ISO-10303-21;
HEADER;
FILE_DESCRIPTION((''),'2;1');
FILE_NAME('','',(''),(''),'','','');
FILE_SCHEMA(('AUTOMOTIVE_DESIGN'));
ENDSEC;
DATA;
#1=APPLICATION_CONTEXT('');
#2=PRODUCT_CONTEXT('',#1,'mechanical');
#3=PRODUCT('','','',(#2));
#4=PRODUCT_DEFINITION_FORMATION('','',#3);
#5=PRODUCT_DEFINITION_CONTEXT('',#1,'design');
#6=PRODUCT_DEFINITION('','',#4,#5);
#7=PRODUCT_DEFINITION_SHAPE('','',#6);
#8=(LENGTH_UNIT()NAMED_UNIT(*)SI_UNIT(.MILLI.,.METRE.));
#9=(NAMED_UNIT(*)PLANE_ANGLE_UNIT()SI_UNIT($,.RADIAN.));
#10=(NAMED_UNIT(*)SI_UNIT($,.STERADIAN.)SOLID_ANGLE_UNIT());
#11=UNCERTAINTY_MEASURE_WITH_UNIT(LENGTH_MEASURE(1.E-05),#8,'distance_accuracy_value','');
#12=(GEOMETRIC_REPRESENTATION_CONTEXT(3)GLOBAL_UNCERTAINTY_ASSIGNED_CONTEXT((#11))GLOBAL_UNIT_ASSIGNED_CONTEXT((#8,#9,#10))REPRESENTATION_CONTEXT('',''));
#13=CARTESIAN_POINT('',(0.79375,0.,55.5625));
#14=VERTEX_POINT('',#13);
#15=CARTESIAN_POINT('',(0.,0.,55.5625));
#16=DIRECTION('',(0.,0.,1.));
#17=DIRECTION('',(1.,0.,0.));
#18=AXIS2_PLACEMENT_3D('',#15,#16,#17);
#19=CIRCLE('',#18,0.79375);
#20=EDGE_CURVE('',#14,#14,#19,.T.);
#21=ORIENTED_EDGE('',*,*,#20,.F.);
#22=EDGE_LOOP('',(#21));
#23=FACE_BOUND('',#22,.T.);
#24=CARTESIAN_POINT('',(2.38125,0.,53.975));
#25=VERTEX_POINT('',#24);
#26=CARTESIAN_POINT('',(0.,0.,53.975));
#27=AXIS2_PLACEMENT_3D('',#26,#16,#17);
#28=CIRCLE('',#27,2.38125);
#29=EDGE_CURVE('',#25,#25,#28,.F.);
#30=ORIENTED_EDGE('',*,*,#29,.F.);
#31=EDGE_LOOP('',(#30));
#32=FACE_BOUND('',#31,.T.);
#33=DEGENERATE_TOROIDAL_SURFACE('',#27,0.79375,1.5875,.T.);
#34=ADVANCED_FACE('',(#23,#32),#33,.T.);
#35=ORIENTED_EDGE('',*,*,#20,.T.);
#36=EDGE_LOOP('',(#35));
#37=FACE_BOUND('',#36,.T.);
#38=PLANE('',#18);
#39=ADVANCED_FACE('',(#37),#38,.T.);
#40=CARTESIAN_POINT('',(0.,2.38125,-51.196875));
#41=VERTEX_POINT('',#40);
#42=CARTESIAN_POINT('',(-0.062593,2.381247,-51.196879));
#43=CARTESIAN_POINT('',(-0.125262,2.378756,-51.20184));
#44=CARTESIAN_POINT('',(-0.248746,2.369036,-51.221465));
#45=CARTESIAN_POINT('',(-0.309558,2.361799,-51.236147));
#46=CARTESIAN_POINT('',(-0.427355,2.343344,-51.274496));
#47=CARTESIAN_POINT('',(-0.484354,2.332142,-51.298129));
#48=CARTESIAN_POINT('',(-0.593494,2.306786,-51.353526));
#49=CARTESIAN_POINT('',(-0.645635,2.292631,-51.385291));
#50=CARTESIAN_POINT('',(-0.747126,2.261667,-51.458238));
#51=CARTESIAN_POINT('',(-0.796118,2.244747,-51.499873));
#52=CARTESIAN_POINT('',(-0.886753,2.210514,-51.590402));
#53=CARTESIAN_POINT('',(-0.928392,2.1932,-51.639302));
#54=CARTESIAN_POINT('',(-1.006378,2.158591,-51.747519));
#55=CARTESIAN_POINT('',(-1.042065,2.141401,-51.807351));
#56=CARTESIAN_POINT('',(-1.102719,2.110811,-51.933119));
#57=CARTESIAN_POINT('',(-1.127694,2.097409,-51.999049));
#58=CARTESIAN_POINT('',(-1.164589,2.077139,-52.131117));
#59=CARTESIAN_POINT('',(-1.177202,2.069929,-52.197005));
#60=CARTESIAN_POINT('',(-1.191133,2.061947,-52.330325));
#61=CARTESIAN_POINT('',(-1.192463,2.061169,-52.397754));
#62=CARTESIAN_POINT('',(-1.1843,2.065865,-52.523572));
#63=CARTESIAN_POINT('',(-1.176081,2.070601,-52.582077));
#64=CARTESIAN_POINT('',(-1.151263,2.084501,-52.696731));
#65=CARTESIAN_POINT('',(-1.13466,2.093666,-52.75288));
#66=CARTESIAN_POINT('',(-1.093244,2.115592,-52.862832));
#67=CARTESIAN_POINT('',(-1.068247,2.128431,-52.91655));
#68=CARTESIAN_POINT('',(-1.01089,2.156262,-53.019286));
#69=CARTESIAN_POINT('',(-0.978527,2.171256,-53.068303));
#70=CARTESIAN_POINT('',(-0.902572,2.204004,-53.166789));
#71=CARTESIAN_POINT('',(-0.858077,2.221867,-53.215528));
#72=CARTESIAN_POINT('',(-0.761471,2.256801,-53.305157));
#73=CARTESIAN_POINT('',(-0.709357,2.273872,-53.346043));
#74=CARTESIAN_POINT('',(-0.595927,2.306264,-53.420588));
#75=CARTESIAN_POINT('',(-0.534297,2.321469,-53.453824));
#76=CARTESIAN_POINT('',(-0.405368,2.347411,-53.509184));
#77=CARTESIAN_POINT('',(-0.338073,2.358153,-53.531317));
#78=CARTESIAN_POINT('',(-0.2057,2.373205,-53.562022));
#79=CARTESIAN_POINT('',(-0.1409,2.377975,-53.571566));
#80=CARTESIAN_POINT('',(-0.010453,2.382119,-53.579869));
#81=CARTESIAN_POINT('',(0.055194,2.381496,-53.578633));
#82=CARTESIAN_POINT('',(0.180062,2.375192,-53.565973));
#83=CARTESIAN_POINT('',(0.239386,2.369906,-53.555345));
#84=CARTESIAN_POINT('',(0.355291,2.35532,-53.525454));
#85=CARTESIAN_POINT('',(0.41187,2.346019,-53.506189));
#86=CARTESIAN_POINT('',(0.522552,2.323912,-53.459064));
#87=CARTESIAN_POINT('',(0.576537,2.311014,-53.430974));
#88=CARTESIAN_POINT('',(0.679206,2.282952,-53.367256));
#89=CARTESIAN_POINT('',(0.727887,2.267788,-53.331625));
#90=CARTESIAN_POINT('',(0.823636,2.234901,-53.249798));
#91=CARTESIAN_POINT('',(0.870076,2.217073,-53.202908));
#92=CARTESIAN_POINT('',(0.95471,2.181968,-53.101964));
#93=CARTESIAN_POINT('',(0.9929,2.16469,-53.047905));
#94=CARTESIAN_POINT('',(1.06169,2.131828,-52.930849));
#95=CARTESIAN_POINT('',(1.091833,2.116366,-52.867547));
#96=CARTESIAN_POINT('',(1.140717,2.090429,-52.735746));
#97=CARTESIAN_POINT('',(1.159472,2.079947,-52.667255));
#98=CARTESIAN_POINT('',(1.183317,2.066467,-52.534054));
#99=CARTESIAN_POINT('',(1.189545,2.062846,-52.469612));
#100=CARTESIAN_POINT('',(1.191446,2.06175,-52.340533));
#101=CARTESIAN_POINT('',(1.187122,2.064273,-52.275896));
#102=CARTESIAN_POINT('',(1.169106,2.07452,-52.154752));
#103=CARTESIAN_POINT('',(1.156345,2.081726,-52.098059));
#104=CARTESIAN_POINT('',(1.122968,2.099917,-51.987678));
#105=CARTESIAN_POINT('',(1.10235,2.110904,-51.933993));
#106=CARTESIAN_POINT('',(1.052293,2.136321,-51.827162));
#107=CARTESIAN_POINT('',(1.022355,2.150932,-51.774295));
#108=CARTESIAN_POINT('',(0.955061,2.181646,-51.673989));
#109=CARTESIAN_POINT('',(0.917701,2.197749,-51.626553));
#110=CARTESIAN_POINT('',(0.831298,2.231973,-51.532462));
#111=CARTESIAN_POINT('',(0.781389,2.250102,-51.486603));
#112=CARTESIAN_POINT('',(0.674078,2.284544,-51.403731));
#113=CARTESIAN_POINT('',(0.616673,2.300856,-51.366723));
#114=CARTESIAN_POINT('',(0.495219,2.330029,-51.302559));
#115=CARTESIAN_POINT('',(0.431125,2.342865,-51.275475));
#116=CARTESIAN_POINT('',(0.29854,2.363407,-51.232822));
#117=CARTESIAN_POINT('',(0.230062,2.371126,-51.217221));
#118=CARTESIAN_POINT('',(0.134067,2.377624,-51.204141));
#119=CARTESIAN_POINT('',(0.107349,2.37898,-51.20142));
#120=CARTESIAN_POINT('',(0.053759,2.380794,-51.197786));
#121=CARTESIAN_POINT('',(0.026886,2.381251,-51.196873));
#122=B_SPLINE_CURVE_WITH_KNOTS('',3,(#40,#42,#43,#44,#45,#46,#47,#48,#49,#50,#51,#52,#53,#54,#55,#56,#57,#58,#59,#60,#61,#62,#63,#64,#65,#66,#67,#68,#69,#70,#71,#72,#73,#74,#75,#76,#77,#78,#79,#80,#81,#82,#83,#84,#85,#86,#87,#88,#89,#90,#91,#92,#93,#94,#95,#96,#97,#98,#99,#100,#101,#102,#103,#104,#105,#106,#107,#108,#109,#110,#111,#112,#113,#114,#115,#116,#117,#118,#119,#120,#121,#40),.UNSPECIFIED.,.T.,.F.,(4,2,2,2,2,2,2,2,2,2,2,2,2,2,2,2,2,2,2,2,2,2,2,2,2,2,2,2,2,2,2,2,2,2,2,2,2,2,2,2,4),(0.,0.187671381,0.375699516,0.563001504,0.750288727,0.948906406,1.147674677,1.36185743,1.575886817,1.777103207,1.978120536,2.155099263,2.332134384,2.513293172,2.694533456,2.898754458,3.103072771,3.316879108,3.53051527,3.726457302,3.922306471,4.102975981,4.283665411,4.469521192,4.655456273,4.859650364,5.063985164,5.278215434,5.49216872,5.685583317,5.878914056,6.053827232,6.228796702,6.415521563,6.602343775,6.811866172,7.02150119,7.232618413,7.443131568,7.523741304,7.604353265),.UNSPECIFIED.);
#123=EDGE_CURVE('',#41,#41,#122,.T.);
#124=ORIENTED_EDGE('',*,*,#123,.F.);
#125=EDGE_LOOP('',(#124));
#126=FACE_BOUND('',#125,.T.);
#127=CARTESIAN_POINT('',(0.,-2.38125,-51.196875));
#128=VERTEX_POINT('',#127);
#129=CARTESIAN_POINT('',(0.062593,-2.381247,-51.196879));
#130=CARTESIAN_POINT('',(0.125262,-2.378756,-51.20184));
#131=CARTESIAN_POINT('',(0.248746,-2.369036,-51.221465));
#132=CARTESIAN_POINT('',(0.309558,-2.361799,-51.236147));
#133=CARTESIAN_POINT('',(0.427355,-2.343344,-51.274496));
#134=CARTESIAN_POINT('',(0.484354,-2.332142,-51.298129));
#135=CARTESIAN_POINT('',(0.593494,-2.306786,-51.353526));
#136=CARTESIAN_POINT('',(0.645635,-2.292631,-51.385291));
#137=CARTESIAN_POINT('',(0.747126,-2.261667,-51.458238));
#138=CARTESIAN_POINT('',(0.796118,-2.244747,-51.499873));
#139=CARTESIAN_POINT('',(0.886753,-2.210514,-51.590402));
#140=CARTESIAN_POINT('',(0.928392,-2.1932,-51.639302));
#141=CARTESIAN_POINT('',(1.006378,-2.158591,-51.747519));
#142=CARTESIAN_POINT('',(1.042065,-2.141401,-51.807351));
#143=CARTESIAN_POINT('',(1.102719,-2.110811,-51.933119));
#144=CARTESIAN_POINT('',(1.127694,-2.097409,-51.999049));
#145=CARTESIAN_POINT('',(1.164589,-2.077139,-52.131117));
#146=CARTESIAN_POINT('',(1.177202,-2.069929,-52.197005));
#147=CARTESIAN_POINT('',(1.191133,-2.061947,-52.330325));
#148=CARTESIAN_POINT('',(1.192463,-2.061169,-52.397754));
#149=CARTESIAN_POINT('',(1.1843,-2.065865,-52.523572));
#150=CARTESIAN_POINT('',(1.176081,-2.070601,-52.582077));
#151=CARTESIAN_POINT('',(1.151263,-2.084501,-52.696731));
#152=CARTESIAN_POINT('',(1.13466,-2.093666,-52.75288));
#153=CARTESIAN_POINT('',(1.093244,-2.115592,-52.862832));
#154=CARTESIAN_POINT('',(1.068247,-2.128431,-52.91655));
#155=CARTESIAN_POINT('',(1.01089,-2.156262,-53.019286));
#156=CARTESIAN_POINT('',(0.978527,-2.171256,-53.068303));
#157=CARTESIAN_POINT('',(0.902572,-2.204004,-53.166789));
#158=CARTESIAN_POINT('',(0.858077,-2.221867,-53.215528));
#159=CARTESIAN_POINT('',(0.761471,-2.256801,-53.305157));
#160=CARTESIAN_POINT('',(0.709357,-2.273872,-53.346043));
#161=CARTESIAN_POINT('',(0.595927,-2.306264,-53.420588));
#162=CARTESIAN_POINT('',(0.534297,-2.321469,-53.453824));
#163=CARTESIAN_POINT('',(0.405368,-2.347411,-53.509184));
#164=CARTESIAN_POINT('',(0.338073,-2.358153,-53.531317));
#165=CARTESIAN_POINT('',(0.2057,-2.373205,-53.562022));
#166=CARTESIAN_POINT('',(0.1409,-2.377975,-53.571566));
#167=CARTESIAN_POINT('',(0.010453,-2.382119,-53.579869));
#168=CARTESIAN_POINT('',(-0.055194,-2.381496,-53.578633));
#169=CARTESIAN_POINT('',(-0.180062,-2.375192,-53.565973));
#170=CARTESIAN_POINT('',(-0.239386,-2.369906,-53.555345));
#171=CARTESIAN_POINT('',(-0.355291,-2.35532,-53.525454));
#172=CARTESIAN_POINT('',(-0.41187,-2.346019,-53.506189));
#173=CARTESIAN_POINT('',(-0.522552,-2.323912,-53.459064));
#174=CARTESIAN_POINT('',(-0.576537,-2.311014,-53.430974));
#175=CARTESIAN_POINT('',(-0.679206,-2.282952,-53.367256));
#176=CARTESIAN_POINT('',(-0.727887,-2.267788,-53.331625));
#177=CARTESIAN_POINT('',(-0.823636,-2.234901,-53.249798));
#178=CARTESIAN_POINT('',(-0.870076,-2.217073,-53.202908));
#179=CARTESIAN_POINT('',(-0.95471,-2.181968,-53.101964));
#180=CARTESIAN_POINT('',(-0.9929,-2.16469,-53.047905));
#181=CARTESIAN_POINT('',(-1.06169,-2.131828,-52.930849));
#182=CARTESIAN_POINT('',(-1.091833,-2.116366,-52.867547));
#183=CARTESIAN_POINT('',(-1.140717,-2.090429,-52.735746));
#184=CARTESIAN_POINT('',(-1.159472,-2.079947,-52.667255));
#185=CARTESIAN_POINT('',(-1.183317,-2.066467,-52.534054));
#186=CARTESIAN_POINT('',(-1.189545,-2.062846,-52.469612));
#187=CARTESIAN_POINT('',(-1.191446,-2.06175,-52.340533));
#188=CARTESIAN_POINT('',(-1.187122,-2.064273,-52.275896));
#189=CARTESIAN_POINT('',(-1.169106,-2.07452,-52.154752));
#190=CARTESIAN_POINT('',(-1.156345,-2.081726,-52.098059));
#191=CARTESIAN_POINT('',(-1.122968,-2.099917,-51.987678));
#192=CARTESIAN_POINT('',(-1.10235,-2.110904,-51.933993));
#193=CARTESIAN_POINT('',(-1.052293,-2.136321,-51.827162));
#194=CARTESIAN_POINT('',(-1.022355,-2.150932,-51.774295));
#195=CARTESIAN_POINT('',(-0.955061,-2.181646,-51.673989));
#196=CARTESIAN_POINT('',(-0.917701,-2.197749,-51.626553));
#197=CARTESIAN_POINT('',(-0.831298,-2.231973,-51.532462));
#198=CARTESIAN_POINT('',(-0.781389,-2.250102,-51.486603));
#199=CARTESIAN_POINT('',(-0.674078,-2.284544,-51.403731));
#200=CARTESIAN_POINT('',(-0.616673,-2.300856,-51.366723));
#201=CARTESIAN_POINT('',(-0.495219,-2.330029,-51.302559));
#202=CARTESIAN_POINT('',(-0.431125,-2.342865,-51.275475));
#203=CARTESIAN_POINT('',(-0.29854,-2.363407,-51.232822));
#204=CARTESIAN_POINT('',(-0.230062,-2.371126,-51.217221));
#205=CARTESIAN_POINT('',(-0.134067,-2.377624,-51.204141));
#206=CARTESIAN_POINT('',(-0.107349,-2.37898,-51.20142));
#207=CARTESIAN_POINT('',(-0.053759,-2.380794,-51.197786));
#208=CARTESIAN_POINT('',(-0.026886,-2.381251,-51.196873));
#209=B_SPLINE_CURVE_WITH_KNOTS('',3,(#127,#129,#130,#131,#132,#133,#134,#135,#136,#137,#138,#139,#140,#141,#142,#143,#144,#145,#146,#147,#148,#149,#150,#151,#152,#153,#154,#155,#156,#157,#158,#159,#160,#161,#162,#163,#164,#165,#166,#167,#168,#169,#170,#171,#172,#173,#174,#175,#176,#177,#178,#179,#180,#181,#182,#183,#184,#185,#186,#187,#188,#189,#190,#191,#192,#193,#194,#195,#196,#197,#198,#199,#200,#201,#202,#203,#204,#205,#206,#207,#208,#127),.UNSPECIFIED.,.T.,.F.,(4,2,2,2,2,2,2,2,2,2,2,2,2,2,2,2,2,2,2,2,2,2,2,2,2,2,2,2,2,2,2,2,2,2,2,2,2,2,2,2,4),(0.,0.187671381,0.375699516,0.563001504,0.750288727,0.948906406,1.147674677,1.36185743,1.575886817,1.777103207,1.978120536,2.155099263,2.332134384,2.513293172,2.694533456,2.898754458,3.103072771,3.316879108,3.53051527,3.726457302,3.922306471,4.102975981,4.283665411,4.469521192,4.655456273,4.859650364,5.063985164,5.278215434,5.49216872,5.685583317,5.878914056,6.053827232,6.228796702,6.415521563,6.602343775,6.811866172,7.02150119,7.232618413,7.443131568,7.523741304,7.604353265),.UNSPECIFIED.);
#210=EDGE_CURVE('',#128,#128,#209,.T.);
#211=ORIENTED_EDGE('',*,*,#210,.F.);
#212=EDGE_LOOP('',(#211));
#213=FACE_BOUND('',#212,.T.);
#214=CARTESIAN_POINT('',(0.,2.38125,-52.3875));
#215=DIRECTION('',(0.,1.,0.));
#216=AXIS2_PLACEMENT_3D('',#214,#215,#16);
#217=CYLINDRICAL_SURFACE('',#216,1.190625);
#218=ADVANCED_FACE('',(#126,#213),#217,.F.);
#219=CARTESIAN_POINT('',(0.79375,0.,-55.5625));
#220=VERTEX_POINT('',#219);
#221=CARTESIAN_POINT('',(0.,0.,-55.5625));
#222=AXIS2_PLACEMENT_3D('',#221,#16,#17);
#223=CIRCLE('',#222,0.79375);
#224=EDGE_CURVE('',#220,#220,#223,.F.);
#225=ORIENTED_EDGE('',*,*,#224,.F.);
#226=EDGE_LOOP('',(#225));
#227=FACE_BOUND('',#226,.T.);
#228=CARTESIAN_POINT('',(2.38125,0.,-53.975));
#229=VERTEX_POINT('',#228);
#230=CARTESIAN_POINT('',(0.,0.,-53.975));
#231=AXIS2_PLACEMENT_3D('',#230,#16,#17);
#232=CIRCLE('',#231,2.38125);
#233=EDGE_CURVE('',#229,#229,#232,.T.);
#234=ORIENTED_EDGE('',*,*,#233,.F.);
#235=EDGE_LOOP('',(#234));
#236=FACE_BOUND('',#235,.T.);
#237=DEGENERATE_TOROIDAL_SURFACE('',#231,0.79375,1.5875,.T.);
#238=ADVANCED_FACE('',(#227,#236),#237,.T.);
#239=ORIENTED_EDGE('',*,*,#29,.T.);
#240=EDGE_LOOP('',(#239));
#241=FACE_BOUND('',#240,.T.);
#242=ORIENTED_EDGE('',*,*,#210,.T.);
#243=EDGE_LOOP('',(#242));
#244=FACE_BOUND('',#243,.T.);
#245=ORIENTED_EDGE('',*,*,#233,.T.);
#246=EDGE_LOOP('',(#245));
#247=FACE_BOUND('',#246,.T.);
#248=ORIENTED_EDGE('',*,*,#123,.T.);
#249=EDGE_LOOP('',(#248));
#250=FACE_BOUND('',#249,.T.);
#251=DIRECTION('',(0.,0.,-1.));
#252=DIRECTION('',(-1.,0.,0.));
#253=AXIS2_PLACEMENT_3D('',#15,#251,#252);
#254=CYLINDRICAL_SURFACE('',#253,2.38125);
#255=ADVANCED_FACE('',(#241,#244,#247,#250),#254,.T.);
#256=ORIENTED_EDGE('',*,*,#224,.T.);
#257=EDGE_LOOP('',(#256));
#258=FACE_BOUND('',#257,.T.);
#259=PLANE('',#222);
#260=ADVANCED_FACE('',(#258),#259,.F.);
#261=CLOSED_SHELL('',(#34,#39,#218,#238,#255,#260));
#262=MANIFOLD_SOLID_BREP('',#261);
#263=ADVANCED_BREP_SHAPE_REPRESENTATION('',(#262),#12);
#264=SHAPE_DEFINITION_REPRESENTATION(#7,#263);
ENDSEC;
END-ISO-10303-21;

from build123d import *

# Parameters (mm, degrees)
SKETCH3_R                       = 2.38125
BOSS_EXTRUDE1_DEPTH             = 55.5625
FILLET2_R                       = 1.5875
F_3_32_0_09375_DIAMETER_HOLE3_D = 2.38125
FILLET3_R                       = 1.5875


with BuildPart() as part:
    # Sketch3 → Boss-Extrude1 (new, symmetric)
    with BuildSketch(Plane.XY):
        Circle(SKETCH3_R)
    extrude(amount=BOSS_EXTRUDE1_DEPTH, both=True)

    # Fillet2
    fillet2_edges = [part.edges().sort_by_distance(p)[0] for p in [
        (-2.38125, 0, 55.5625),
    ]]
    fillet(fillet2_edges, radius=FILLET2_R)

    # 3/32 (0.09375) Diameter Hole3 (through all)
    with Locations(Plane(origin=(0, 2.38125, 0), x_dir=(1, 0, 0), z_dir=(0, 1, 0))):
        with Locations((0, 52.3875)):
            Hole(F_3_32_0_09375_DIAMETER_HOLE3_D / 2)

    # Fillet3
    fillet3_edges = [part.edges().sort_by_distance(p)[0] for p in [
        (-2.38125, 0, -55.5625),
    ]]
    fillet(fillet3_edges, radius=FILLET3_R)


solid = part.part
